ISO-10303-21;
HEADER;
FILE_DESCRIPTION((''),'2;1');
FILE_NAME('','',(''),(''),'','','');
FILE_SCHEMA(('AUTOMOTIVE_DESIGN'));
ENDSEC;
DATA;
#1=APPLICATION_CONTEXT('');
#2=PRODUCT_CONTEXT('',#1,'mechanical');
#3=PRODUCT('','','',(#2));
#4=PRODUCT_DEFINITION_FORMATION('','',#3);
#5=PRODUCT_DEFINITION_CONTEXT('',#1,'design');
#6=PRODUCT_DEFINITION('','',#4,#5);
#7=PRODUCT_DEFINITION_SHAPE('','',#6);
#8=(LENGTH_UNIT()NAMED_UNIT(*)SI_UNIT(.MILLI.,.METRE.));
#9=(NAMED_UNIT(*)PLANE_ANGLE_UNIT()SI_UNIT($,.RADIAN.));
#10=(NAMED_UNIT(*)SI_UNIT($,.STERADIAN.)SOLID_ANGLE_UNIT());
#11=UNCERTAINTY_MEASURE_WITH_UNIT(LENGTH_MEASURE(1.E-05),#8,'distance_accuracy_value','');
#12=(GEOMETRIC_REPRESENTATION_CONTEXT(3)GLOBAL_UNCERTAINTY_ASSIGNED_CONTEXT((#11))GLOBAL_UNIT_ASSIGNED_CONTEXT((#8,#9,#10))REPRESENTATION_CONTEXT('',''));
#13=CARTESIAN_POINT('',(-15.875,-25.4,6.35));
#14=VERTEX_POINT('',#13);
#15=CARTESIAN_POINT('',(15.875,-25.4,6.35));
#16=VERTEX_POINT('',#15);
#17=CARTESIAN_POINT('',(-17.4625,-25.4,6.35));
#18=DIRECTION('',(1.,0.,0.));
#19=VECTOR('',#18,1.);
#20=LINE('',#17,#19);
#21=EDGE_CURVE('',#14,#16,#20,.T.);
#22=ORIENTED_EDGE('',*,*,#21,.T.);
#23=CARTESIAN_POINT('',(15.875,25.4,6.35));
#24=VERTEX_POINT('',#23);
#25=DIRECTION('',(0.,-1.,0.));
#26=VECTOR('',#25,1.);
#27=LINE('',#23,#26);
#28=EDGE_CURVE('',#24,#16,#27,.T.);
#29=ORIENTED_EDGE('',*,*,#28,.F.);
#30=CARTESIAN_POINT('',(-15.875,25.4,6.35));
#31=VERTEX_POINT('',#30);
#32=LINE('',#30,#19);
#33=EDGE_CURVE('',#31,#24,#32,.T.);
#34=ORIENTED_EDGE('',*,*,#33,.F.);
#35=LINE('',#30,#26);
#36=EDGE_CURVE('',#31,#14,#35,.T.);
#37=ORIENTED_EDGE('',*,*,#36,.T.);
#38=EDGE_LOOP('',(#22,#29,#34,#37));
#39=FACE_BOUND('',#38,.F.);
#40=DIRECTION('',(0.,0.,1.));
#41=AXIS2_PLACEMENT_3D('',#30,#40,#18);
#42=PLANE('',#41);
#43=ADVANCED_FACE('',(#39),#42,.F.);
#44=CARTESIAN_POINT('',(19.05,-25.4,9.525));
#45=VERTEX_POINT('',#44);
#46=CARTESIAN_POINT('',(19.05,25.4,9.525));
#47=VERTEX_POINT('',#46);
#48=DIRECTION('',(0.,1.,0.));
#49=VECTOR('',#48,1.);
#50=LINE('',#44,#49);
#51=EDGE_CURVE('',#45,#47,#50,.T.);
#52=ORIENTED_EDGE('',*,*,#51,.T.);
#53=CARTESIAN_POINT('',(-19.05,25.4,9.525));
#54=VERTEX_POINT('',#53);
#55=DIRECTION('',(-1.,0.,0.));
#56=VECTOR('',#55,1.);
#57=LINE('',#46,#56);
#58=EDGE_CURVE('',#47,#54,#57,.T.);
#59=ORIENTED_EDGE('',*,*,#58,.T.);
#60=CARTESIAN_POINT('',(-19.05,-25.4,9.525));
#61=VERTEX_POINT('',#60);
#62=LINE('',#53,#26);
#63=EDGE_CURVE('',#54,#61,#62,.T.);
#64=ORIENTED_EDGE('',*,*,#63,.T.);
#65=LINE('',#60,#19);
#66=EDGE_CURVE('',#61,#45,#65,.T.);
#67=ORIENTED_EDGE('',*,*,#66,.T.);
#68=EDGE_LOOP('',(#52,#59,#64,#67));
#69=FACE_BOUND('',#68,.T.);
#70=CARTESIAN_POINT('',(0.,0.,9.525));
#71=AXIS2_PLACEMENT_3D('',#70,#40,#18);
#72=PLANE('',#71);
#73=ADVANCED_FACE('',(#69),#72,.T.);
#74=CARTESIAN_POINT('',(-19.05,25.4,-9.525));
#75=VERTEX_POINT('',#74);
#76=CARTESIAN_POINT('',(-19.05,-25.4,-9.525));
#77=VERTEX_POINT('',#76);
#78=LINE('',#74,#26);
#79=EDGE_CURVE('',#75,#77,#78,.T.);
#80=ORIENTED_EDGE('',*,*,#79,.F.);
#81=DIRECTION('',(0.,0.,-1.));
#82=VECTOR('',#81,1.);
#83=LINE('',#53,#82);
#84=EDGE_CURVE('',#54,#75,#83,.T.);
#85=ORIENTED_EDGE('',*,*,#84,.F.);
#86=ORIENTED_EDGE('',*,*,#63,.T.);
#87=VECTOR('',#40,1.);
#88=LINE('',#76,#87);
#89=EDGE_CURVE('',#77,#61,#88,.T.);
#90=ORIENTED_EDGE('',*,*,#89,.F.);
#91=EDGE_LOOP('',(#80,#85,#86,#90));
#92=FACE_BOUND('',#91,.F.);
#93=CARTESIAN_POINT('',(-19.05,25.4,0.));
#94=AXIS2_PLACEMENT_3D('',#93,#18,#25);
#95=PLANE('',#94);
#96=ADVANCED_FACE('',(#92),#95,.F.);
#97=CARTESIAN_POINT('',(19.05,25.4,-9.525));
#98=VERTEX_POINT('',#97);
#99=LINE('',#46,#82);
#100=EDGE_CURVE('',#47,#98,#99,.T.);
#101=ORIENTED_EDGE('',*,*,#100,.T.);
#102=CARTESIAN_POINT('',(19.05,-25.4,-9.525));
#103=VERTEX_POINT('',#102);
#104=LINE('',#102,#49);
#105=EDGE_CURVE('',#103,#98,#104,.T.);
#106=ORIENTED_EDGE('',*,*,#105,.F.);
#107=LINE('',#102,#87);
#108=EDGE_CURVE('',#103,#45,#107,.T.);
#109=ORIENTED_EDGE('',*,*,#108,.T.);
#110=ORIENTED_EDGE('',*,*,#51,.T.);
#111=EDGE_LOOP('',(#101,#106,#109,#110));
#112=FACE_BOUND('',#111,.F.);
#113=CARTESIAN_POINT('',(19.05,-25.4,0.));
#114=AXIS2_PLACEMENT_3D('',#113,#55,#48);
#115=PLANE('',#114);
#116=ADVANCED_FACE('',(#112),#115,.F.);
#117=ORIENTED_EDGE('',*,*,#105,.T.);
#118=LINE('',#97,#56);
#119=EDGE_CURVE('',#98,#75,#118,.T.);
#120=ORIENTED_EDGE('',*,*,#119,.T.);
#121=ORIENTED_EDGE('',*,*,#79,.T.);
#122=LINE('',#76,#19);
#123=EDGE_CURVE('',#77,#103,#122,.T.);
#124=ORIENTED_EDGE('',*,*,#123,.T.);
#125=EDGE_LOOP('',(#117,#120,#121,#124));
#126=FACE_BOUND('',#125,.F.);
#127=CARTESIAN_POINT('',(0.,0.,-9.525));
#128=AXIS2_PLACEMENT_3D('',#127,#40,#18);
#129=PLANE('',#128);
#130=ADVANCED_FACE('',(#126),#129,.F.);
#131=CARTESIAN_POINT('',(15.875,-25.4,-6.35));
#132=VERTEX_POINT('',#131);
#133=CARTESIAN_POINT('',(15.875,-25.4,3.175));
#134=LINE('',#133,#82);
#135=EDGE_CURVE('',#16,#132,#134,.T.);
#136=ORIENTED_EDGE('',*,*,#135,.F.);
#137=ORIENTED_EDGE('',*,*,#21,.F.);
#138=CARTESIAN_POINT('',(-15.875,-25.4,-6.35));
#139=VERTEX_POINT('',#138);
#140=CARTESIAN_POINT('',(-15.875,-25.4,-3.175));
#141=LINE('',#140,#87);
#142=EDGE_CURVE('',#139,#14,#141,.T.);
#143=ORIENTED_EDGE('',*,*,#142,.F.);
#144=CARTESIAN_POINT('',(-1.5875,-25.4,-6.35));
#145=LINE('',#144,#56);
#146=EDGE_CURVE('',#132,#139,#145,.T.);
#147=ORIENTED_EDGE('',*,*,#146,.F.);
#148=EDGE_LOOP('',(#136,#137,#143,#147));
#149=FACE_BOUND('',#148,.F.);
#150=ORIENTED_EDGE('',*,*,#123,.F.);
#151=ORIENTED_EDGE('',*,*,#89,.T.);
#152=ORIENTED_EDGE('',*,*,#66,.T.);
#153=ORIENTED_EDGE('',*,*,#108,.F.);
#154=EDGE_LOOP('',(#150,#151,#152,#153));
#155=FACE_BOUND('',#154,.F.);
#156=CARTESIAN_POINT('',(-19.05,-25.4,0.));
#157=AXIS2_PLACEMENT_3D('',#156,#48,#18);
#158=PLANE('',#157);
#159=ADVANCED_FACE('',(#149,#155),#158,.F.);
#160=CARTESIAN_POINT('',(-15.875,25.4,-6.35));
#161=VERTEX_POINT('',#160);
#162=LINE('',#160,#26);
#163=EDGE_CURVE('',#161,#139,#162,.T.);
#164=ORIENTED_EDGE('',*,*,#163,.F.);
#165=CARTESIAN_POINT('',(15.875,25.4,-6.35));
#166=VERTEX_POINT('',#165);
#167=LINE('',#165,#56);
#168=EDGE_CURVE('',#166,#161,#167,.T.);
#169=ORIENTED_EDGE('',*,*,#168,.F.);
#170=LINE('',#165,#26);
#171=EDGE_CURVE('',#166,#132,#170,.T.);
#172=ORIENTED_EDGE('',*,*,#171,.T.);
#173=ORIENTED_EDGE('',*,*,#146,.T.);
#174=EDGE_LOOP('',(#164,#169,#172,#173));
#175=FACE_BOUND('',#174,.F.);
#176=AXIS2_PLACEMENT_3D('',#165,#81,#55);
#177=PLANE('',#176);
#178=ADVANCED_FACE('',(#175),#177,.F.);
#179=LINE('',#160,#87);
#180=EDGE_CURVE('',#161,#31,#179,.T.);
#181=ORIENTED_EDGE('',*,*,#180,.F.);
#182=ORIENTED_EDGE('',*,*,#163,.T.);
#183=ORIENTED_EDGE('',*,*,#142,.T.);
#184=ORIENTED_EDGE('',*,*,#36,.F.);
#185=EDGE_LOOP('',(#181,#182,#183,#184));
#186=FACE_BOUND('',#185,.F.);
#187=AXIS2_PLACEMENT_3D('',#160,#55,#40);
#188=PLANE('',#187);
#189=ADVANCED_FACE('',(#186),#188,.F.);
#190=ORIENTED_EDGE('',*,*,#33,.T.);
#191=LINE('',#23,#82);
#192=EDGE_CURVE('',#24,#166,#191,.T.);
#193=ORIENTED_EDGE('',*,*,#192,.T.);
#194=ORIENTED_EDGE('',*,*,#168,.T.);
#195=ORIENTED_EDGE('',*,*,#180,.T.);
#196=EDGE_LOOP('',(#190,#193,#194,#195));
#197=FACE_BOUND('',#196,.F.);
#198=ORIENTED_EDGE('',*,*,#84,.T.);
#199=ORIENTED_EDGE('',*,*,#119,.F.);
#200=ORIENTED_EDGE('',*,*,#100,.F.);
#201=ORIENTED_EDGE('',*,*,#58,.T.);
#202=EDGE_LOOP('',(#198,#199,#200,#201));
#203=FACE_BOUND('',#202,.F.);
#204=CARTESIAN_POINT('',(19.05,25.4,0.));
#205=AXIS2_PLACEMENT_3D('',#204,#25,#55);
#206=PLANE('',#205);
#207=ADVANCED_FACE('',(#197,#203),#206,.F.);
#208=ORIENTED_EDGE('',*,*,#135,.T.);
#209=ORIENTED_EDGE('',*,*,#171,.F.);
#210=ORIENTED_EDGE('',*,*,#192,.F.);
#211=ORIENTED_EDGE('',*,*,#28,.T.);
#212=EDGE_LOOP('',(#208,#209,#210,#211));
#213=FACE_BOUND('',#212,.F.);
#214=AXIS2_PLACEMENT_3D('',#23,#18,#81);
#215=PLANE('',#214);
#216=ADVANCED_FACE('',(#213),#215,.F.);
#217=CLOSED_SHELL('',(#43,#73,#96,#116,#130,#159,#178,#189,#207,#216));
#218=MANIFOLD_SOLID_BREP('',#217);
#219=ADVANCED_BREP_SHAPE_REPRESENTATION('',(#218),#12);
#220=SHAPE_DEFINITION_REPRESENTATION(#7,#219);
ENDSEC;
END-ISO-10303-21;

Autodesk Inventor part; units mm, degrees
ref_plane "XZ Plane" through (0, 0, 0) normal (0, 1, 0) x (-1, 0, 0)
ref_plane "XY Plane" through (0, 0, 0) normal (0, 0, 1) x (1, 0, 0)
sketch "Sketch1" plane through (0, 0, 0) normal (0, 0, 1) x (1, 0, 0)
  line L0 (-19.05, -25.4) -> (19.05, -25.4)
  line L1 (19.05, -25.4) -> (19.05, 25.4)
  line L2 (19.05, 25.4) -> (-19.05, 25.4)
  line L3 (-19.05, 25.4) -> (-19.05, -25.4)
  line L4 (-19.05, -25.4) -> (19.05, 25.4) construction
  line L5 (19.05, -25.4) -> (-19.05, 25.4) construction
  point P0 (0, 0)
  dimension "d0" = 38.1
  dimension "d1" = 50.8
extrude "Extrusion1" add sketch "Sketch1" along normal mid plane 19.05
sketch "Sketch2" plane through (-19.05, 25.4, 9.525) normal (0, 1, 0) x (1, 0, 0)
  line L0 (34.925, 3.175) -> (34.925, 15.875)
  line L1 (34.925, 15.875) -> (3.175, 15.875)
  line L2 (3.175, 15.875) -> (3.175, 3.175)
  line L3 (3.175, 3.175) -> (34.925, 3.175)
  line L4 (34.925, 3.175) -> (3.175, 15.875) construction
  line L5 (34.925, 15.875) -> (3.175, 3.175) construction
  line L6 (0, 19.05) -> (38.1, 19.05) projected
  line L7 (0, 19.05) -> (0, 0) projected
  point P0 (19.05, 9.525)
  dimension "d4" = 3.175
  dimension "d5" = 3.175
extrude "Extrusion2" cut sketch "Sketch2" against normal through all
properties part number "magnetHolder" material "Aluminum 6061"
